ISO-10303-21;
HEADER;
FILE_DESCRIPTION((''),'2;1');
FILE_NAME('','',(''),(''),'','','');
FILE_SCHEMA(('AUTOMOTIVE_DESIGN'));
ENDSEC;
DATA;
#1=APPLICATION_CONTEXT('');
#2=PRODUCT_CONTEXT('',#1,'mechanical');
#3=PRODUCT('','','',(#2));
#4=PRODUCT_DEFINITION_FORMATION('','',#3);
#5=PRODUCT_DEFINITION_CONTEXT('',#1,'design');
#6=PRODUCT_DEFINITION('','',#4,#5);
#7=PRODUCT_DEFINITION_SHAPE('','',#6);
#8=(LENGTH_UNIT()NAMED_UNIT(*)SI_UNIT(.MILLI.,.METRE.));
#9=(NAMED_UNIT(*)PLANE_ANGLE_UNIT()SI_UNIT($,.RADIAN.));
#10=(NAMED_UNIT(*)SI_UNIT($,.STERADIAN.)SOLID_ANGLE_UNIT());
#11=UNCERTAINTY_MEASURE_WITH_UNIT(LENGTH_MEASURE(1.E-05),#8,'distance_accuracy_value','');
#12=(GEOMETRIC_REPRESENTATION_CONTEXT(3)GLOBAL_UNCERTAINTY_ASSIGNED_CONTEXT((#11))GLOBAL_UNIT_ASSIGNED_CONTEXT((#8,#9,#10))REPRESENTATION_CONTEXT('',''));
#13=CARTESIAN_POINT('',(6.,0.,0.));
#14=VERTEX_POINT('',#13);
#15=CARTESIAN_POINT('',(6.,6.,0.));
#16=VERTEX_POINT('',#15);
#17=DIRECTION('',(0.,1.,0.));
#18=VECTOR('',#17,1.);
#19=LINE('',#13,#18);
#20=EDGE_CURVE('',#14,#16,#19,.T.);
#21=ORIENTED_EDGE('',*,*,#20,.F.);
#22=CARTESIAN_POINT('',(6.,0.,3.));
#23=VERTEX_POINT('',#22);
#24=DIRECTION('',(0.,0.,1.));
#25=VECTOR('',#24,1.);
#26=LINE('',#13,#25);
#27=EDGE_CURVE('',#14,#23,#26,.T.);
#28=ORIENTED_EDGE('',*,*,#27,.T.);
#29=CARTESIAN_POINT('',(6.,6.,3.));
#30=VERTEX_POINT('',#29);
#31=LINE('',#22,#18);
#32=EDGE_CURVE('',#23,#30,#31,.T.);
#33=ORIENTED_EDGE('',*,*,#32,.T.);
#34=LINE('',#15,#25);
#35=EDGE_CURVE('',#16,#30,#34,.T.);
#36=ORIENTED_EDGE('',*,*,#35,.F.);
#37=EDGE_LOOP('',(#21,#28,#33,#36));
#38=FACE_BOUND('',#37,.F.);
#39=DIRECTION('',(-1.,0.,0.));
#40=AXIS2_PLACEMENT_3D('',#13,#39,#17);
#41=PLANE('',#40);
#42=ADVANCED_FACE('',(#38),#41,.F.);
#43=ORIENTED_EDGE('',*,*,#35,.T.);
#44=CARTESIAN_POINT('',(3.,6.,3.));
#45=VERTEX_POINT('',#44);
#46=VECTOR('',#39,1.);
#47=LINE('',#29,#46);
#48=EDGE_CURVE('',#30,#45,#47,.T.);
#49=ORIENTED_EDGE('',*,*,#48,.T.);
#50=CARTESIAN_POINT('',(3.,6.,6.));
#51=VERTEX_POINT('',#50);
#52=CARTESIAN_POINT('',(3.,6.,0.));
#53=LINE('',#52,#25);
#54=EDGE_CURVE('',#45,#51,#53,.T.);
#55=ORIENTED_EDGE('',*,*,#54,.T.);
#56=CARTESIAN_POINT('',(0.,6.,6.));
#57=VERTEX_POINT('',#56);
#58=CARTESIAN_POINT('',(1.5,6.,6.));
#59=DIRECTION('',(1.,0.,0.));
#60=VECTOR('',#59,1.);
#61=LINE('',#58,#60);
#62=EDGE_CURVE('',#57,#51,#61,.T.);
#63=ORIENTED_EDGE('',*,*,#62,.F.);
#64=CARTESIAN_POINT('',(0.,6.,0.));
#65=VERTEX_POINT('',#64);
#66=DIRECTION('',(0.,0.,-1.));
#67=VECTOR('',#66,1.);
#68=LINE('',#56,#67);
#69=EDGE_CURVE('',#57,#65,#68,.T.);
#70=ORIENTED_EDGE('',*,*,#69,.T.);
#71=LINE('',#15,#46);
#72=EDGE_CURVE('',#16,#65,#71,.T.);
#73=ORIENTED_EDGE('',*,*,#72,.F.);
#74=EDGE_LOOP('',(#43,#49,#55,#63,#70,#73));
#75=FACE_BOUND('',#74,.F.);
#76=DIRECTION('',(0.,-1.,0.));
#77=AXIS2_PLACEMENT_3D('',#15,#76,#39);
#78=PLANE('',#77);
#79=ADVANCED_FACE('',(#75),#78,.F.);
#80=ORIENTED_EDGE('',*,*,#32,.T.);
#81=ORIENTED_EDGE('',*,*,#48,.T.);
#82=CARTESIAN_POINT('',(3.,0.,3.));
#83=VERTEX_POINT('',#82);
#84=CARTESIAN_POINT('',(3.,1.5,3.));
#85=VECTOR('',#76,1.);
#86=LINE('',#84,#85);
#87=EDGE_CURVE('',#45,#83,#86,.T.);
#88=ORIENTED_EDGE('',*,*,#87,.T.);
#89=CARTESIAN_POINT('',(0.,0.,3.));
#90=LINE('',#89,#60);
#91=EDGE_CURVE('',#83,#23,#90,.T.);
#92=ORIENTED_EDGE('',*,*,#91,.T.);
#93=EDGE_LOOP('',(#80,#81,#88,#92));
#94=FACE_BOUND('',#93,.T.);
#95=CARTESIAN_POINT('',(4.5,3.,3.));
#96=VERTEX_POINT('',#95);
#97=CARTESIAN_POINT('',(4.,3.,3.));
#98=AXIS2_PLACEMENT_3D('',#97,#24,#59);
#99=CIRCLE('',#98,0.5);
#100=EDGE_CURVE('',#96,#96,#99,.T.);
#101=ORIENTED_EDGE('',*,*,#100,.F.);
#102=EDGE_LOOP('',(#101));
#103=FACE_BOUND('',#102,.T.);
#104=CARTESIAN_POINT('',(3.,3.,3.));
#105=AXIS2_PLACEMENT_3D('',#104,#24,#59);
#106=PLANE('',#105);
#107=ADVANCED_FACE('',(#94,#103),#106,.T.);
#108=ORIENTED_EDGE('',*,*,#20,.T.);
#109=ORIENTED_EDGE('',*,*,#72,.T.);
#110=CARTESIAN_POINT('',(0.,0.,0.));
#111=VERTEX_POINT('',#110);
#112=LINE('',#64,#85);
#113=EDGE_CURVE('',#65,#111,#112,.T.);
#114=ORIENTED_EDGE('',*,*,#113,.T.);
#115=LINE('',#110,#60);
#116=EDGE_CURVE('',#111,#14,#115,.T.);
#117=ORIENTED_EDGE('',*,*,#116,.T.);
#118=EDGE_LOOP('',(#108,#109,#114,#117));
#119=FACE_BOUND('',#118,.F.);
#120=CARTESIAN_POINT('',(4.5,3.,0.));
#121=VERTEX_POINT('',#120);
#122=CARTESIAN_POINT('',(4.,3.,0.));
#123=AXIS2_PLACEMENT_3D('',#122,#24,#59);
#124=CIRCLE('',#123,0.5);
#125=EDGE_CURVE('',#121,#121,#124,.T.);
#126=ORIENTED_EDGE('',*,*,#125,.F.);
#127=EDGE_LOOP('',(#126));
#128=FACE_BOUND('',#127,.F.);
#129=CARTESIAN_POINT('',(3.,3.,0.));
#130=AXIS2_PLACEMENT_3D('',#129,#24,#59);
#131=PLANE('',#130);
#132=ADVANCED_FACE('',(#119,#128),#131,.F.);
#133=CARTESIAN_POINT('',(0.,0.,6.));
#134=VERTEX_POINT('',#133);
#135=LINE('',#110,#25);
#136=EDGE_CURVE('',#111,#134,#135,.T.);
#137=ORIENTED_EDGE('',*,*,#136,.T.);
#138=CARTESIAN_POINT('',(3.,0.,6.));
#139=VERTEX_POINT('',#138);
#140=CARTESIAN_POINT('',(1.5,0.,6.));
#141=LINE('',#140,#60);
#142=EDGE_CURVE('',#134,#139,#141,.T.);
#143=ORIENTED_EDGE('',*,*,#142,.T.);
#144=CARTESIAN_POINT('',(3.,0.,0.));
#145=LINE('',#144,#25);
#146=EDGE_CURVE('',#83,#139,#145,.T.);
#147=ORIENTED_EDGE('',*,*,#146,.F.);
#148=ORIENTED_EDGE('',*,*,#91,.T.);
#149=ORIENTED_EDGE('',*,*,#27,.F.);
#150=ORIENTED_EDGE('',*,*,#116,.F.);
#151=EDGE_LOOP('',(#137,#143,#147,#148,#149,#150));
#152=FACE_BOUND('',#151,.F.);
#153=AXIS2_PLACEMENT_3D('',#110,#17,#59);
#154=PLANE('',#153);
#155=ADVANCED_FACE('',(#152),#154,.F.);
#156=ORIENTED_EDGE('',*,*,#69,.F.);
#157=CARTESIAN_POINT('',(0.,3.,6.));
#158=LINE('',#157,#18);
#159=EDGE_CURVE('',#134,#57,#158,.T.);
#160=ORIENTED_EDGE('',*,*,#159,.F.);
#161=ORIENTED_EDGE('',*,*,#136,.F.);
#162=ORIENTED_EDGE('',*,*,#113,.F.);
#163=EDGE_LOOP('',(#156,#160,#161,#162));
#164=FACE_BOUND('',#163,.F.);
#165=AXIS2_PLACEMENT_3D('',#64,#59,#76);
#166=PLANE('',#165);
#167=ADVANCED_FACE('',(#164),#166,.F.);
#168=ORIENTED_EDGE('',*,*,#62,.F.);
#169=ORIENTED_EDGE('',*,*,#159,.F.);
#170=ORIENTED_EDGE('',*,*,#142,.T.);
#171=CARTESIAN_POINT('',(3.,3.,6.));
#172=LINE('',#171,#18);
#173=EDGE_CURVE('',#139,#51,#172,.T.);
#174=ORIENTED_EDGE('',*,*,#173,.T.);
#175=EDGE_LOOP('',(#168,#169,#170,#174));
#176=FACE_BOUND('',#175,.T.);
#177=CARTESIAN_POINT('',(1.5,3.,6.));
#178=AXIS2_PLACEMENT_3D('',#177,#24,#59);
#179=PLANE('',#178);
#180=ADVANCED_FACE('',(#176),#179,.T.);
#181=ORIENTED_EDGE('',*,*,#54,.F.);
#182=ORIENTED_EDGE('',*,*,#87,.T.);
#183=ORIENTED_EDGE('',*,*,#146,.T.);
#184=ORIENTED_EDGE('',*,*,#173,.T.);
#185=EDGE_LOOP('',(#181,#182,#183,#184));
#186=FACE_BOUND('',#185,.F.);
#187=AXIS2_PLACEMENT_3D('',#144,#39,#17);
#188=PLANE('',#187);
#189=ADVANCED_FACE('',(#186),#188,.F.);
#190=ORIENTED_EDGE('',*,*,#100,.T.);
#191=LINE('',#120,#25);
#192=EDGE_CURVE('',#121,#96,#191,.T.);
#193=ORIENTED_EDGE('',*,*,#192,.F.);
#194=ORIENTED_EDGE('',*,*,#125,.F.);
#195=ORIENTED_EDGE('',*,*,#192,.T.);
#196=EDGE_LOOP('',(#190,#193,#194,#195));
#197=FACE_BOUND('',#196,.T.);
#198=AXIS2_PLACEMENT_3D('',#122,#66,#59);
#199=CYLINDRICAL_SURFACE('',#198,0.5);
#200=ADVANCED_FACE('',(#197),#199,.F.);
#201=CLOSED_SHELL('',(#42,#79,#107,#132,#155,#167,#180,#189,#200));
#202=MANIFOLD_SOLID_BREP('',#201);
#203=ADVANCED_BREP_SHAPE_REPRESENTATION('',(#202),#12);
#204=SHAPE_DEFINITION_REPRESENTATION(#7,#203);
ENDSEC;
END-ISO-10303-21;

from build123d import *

# Parameters (mm, degrees)
F0_R     = 0.5
F1_DEPTH = 3
F2_W     = 3
F2_H     = 6
F3_DEPTH = 6


with BuildPart() as f1:
    # F0 (on Top) → F1 (new body)
    with BuildSketch(Plane.XY):
        Polygon((0, 6), (0, 0), (6, 0), (6, 6), (4, 6), align=None)
        with Locations((4, 3)):
            Circle(F0_R, mode=Mode.SUBTRACT)
    extrude(amount=F1_DEPTH)

    # F2 (on Top) → F3 (join)
    with BuildSketch(Plane.XY):
        with Locations((1.5, 3)):
            Rectangle(F2_W, F2_H)
    extrude(amount=F3_DEPTH)


solid = f1.part
